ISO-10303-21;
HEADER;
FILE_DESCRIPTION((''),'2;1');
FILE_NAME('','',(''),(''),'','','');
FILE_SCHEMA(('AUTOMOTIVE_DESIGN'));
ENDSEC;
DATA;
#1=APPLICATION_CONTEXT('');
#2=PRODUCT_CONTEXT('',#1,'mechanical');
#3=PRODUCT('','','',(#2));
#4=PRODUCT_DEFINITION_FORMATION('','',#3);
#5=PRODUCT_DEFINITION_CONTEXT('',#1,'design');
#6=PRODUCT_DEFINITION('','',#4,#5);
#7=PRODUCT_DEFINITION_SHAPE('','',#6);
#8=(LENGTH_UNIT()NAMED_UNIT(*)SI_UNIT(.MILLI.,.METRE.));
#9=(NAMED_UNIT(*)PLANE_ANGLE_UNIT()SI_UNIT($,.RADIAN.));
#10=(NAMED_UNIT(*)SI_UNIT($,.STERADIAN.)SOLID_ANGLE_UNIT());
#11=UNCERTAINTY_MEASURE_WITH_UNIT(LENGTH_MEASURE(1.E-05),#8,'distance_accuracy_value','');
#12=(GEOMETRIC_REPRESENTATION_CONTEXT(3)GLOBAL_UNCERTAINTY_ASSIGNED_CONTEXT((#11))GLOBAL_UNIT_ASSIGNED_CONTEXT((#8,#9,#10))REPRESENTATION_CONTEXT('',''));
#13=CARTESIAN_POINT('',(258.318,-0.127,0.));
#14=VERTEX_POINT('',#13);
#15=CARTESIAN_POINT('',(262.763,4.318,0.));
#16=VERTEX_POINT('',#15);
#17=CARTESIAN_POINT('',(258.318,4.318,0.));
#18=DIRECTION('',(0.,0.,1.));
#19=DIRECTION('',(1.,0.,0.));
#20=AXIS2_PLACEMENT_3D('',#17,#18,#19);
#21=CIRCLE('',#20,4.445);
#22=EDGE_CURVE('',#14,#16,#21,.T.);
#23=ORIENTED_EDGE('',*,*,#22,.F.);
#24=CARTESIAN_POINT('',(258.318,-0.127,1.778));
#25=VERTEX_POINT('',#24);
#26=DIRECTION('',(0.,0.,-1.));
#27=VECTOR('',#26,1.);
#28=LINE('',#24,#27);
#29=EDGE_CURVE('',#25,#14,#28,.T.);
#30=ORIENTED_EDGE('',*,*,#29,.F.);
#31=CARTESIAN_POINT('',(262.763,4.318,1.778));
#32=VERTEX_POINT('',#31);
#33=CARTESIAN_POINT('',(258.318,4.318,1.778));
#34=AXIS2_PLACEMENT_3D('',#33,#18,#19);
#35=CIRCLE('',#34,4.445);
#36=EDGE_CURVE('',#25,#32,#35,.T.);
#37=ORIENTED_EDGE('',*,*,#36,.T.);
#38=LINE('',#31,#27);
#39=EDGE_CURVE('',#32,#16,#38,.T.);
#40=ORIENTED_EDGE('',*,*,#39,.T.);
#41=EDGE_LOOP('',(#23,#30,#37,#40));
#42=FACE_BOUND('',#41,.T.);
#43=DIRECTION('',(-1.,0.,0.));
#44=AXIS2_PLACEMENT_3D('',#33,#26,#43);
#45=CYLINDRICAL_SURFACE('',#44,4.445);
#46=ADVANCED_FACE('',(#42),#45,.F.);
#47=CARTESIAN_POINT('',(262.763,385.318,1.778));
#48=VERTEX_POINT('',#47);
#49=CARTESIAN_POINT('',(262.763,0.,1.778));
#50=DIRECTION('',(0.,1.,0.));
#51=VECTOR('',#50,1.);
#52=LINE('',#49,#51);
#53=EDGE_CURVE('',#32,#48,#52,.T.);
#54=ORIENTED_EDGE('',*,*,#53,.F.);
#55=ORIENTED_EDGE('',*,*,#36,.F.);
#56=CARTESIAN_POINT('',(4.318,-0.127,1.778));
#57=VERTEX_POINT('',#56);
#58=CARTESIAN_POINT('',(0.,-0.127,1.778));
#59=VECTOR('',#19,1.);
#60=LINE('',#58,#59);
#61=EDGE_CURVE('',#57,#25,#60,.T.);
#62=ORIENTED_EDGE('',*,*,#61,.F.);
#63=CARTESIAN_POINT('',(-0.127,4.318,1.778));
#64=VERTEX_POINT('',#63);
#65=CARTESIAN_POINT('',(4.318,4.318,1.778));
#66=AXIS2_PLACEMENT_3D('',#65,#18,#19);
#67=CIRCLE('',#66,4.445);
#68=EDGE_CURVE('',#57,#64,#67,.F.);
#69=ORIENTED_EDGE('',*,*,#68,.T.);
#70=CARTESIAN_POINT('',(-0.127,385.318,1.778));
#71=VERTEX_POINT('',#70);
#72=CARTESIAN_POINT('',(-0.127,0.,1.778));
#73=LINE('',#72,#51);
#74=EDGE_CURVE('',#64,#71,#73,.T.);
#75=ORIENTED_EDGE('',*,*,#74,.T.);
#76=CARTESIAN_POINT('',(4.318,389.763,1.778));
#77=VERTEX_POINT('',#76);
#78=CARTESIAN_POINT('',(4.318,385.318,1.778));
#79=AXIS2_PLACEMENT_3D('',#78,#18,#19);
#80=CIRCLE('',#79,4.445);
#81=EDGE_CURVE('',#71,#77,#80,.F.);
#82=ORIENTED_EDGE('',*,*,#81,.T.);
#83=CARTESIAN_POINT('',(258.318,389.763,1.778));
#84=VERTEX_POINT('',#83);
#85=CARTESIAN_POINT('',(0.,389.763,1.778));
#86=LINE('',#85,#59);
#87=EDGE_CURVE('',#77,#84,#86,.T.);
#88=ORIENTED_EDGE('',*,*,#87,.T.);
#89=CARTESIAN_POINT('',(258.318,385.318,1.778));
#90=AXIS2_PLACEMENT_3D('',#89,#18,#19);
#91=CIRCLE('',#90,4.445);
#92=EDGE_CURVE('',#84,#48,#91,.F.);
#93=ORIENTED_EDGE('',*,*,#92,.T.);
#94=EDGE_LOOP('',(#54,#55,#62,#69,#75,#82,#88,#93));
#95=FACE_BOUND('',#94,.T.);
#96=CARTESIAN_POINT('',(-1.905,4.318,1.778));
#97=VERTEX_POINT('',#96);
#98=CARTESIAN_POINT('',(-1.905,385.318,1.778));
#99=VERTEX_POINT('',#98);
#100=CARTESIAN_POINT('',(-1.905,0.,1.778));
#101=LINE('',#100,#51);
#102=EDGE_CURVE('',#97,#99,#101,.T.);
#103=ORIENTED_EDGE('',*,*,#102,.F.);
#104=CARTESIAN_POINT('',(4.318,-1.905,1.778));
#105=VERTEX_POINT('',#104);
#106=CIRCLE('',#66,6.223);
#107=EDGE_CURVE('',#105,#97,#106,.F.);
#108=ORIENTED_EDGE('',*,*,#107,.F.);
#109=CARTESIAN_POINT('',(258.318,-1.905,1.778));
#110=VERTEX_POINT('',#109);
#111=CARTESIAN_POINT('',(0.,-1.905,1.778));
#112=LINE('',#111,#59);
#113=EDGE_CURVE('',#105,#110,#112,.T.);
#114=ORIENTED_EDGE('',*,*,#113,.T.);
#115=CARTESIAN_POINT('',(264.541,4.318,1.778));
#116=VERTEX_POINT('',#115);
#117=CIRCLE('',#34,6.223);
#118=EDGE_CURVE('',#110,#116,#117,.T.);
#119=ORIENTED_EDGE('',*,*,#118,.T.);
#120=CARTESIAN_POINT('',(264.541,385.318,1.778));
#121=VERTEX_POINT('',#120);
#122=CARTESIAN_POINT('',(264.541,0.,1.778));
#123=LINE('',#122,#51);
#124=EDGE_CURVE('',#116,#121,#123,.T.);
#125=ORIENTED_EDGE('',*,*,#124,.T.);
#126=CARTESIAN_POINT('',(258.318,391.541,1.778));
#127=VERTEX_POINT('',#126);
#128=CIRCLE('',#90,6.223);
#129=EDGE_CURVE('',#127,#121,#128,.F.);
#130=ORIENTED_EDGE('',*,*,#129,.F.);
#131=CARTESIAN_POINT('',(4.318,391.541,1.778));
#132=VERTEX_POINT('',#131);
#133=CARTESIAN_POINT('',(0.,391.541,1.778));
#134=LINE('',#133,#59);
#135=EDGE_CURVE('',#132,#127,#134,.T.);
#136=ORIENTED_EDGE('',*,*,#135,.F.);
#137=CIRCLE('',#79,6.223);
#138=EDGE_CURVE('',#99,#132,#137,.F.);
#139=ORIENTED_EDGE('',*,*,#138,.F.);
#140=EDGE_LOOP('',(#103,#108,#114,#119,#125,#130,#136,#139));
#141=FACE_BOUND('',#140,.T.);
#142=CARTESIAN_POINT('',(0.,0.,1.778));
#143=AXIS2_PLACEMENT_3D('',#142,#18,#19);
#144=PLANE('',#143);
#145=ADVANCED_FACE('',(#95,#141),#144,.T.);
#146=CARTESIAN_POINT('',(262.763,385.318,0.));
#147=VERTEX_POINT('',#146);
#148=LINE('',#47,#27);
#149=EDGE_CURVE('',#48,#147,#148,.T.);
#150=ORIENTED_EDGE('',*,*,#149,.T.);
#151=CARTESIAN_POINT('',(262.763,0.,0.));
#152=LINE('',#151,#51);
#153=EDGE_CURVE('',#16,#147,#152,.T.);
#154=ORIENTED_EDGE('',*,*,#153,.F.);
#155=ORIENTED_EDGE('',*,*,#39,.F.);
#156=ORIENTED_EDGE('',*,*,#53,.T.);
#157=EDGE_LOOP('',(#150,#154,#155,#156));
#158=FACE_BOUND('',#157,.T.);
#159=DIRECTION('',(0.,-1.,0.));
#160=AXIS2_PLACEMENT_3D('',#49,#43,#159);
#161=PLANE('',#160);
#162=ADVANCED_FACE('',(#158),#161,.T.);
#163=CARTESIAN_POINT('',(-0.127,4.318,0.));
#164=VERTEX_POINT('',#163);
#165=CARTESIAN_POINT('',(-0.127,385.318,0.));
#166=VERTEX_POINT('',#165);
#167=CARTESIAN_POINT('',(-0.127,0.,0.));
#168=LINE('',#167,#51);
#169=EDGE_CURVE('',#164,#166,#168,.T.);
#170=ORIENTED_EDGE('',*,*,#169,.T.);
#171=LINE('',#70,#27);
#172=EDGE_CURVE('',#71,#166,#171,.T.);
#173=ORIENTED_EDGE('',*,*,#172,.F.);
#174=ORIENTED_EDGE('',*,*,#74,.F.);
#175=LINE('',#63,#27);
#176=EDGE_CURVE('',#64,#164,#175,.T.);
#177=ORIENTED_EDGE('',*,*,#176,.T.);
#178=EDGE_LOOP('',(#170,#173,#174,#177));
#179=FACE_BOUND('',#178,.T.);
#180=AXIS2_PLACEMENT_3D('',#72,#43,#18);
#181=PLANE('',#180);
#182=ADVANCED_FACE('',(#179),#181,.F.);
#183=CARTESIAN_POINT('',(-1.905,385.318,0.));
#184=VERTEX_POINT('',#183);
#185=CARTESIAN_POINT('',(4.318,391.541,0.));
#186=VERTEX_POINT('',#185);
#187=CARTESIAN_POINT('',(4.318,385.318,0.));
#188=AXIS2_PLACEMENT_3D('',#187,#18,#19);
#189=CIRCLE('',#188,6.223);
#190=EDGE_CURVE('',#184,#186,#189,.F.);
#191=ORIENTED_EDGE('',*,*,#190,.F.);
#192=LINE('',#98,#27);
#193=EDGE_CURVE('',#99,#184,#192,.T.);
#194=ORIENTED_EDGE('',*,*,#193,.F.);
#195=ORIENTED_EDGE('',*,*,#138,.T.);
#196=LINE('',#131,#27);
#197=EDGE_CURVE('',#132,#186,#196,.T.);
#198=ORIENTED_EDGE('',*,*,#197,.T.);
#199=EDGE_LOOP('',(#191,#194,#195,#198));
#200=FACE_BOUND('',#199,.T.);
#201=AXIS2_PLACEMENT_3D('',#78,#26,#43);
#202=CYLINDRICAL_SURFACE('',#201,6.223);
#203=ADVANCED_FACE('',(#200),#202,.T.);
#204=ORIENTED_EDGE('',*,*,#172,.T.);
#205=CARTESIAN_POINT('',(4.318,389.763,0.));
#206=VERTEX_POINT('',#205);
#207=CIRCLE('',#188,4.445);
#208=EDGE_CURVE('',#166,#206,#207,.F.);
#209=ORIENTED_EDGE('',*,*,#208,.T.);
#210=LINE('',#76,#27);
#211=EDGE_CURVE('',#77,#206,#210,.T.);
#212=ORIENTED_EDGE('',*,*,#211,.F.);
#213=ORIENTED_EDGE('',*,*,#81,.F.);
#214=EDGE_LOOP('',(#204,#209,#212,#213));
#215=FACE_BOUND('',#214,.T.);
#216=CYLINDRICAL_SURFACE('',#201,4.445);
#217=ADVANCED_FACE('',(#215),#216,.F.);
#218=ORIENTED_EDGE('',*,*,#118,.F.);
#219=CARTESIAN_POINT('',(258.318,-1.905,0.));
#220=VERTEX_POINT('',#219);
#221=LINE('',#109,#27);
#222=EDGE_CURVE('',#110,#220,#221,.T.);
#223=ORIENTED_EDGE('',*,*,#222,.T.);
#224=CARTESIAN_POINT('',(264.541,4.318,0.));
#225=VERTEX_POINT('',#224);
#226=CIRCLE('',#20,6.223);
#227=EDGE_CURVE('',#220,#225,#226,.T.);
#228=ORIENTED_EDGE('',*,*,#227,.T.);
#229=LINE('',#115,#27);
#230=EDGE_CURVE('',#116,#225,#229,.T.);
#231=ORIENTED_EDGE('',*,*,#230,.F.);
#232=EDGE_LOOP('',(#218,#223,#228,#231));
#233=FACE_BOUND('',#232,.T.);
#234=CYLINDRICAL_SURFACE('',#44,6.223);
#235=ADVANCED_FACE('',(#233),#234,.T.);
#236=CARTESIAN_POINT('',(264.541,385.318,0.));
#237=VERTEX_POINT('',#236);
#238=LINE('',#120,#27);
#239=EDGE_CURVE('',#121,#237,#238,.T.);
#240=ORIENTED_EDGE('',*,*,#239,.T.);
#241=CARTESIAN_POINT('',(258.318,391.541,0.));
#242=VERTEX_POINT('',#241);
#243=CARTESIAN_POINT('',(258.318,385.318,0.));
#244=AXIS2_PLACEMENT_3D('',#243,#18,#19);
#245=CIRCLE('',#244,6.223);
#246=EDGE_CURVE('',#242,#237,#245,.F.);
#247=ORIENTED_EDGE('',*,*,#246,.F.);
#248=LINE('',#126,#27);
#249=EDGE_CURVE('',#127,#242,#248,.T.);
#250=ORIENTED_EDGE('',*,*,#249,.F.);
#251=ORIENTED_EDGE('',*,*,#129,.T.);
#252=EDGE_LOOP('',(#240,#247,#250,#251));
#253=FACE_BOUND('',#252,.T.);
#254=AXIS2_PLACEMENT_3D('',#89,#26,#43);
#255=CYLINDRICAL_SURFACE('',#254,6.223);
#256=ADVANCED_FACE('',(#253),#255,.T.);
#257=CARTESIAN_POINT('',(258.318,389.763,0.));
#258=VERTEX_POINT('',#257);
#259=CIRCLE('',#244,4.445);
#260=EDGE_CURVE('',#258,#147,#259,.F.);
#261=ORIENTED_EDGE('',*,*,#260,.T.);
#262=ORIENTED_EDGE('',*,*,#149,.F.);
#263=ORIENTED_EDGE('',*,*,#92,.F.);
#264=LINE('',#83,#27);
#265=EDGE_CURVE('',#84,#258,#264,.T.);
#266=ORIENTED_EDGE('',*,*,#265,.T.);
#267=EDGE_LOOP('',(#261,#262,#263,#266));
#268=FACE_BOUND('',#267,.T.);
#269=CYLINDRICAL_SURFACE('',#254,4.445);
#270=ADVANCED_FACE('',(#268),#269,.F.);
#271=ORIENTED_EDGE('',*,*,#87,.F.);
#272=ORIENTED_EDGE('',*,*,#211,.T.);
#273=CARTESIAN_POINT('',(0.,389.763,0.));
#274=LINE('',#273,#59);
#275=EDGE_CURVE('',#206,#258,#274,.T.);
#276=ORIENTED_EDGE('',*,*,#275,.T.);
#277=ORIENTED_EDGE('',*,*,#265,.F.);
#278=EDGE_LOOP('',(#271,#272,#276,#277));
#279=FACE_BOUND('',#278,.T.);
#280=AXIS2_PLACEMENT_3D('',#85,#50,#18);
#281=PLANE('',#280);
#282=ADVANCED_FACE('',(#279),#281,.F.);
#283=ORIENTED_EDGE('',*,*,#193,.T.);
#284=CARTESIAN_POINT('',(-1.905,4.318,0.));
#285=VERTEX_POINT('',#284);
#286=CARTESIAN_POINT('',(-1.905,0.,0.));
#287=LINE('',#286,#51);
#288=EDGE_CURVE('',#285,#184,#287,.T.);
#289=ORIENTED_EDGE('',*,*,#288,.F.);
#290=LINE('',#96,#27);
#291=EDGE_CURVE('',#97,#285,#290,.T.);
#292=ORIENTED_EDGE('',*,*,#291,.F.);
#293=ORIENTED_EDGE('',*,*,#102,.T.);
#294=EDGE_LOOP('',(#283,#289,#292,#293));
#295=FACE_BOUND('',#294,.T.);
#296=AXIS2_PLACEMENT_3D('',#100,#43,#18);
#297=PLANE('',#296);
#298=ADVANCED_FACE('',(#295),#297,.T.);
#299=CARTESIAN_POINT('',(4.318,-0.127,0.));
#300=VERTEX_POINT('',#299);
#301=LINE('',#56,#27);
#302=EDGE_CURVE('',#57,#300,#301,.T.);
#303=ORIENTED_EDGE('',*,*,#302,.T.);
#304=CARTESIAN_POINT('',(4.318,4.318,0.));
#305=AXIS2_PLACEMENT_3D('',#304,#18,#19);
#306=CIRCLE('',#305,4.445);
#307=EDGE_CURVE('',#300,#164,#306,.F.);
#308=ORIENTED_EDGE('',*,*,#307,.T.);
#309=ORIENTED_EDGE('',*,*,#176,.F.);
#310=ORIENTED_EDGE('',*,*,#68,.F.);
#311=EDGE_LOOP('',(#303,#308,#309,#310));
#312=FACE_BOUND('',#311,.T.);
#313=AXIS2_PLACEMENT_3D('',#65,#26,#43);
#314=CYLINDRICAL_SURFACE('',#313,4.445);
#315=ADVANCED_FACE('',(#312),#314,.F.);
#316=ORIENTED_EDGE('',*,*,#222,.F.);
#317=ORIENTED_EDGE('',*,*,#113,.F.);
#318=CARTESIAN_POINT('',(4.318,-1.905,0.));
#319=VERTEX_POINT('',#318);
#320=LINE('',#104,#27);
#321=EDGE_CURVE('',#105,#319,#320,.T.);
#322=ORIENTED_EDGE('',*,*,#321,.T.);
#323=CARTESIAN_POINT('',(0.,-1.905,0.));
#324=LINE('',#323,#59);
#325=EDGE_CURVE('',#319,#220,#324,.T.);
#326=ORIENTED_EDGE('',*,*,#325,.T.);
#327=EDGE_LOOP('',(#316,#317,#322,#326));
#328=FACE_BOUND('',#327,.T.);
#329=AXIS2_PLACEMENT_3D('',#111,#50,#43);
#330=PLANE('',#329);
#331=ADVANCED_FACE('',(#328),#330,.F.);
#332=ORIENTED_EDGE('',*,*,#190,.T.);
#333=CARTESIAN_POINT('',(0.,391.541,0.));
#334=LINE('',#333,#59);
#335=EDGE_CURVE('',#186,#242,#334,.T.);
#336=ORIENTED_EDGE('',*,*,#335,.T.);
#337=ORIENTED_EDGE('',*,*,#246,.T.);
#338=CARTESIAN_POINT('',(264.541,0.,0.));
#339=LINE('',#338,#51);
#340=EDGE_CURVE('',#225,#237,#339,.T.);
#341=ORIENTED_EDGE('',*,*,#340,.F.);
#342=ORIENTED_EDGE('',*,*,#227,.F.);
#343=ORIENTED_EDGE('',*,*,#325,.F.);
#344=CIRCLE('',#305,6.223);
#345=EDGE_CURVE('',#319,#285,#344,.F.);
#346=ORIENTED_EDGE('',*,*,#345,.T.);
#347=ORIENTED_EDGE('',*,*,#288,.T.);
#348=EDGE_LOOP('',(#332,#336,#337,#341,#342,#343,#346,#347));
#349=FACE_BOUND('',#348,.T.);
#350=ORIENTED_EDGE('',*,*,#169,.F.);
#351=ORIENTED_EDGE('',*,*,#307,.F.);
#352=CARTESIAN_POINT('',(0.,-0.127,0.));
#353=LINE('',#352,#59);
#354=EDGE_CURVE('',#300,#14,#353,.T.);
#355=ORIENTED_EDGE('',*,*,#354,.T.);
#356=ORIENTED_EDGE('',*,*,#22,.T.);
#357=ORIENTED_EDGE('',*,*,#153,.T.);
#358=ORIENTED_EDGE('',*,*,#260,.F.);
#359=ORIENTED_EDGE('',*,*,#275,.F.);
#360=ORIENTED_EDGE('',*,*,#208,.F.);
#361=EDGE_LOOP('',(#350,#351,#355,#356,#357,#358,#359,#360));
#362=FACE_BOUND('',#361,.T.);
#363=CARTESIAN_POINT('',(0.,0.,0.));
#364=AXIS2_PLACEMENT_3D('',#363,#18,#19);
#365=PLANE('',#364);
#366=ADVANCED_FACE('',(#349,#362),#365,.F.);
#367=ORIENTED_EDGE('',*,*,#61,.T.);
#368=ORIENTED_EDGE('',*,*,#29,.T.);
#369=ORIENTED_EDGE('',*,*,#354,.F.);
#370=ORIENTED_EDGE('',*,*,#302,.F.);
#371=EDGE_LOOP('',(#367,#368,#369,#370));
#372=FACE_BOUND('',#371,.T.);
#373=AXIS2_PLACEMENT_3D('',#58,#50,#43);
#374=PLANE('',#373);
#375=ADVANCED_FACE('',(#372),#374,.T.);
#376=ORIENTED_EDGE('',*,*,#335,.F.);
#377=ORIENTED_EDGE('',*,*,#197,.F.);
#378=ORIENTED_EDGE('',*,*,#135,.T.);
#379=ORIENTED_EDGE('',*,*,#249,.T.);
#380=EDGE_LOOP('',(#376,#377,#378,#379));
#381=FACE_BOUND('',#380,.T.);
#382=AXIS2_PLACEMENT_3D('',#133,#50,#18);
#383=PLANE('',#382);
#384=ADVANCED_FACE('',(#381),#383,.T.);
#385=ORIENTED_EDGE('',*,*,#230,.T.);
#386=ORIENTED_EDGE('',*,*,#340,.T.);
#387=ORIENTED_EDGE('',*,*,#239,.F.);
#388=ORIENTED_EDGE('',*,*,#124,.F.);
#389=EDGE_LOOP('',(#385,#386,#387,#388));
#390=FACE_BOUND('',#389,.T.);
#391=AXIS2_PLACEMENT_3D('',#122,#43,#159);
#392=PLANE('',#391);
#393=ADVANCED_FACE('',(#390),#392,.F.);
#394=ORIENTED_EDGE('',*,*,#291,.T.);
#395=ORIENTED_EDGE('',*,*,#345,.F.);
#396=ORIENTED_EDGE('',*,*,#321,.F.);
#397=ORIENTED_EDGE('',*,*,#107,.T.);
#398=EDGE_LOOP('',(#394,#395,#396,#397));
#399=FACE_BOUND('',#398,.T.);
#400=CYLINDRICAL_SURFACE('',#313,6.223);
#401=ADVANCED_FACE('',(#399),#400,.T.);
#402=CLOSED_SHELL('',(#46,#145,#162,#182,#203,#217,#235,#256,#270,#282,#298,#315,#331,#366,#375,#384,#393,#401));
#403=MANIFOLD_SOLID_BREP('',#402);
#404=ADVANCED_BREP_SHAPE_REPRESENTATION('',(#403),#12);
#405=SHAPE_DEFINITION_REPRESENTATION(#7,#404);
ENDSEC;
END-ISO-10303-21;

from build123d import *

# Parameters (mm, degrees)
BOSS_EXTRUDE1_DEPTH = 1.778


with BuildPart() as part:
    # Sketch1 → Boss-Extrude1 (new body)
    with BuildSketch(Plane.XY):
        with BuildLine():
            ThreePointArc((4.318, -1.905), (-0.082325499, -0.082325499), (-1.905, 4.318))
            Line((-1.905, 4.318), (-1.905, 385.318))
            ThreePointArc((-1.905, 385.318), (-0.082325499, 389.718325499), (4.318, 391.541))
            Line((4.318, 391.541), (258.318, 391.541))
            ThreePointArc((258.318, 391.541), (262.718325499, 389.718325499), (264.541, 385.318))
            Line((264.541, 385.318), (264.541, 4.318))
            ThreePointArc((264.541, 4.318), (262.718325499, -0.082325499), (258.318, -1.905))
            Line((258.318, -1.905), (4.318, -1.905))
        make_face()
        with BuildLine():
            Line((4.318, -0.127), (258.318, -0.127))
            ThreePointArc((258.318, -0.127), (261.461089642, 1.174910358), (262.763, 4.318))
            Line((262.763, 4.318), (262.763, 385.318))
            ThreePointArc((262.763, 385.318), (261.461089642, 388.461089642), (258.318, 389.763))
            Line((258.318, 389.763), (4.318, 389.763))
            ThreePointArc((4.318, 389.763), (1.174910358, 388.461089642), (-0.127, 385.318))
            Line((-0.127, 385.318), (-0.127, 4.318))
            ThreePointArc((-0.127, 4.318), (1.174910358, 1.174910358), (4.318, -0.127))
        make_face(mode=Mode.SUBTRACT)
    extrude(amount=BOSS_EXTRUDE1_DEPTH)


solid = part.part
